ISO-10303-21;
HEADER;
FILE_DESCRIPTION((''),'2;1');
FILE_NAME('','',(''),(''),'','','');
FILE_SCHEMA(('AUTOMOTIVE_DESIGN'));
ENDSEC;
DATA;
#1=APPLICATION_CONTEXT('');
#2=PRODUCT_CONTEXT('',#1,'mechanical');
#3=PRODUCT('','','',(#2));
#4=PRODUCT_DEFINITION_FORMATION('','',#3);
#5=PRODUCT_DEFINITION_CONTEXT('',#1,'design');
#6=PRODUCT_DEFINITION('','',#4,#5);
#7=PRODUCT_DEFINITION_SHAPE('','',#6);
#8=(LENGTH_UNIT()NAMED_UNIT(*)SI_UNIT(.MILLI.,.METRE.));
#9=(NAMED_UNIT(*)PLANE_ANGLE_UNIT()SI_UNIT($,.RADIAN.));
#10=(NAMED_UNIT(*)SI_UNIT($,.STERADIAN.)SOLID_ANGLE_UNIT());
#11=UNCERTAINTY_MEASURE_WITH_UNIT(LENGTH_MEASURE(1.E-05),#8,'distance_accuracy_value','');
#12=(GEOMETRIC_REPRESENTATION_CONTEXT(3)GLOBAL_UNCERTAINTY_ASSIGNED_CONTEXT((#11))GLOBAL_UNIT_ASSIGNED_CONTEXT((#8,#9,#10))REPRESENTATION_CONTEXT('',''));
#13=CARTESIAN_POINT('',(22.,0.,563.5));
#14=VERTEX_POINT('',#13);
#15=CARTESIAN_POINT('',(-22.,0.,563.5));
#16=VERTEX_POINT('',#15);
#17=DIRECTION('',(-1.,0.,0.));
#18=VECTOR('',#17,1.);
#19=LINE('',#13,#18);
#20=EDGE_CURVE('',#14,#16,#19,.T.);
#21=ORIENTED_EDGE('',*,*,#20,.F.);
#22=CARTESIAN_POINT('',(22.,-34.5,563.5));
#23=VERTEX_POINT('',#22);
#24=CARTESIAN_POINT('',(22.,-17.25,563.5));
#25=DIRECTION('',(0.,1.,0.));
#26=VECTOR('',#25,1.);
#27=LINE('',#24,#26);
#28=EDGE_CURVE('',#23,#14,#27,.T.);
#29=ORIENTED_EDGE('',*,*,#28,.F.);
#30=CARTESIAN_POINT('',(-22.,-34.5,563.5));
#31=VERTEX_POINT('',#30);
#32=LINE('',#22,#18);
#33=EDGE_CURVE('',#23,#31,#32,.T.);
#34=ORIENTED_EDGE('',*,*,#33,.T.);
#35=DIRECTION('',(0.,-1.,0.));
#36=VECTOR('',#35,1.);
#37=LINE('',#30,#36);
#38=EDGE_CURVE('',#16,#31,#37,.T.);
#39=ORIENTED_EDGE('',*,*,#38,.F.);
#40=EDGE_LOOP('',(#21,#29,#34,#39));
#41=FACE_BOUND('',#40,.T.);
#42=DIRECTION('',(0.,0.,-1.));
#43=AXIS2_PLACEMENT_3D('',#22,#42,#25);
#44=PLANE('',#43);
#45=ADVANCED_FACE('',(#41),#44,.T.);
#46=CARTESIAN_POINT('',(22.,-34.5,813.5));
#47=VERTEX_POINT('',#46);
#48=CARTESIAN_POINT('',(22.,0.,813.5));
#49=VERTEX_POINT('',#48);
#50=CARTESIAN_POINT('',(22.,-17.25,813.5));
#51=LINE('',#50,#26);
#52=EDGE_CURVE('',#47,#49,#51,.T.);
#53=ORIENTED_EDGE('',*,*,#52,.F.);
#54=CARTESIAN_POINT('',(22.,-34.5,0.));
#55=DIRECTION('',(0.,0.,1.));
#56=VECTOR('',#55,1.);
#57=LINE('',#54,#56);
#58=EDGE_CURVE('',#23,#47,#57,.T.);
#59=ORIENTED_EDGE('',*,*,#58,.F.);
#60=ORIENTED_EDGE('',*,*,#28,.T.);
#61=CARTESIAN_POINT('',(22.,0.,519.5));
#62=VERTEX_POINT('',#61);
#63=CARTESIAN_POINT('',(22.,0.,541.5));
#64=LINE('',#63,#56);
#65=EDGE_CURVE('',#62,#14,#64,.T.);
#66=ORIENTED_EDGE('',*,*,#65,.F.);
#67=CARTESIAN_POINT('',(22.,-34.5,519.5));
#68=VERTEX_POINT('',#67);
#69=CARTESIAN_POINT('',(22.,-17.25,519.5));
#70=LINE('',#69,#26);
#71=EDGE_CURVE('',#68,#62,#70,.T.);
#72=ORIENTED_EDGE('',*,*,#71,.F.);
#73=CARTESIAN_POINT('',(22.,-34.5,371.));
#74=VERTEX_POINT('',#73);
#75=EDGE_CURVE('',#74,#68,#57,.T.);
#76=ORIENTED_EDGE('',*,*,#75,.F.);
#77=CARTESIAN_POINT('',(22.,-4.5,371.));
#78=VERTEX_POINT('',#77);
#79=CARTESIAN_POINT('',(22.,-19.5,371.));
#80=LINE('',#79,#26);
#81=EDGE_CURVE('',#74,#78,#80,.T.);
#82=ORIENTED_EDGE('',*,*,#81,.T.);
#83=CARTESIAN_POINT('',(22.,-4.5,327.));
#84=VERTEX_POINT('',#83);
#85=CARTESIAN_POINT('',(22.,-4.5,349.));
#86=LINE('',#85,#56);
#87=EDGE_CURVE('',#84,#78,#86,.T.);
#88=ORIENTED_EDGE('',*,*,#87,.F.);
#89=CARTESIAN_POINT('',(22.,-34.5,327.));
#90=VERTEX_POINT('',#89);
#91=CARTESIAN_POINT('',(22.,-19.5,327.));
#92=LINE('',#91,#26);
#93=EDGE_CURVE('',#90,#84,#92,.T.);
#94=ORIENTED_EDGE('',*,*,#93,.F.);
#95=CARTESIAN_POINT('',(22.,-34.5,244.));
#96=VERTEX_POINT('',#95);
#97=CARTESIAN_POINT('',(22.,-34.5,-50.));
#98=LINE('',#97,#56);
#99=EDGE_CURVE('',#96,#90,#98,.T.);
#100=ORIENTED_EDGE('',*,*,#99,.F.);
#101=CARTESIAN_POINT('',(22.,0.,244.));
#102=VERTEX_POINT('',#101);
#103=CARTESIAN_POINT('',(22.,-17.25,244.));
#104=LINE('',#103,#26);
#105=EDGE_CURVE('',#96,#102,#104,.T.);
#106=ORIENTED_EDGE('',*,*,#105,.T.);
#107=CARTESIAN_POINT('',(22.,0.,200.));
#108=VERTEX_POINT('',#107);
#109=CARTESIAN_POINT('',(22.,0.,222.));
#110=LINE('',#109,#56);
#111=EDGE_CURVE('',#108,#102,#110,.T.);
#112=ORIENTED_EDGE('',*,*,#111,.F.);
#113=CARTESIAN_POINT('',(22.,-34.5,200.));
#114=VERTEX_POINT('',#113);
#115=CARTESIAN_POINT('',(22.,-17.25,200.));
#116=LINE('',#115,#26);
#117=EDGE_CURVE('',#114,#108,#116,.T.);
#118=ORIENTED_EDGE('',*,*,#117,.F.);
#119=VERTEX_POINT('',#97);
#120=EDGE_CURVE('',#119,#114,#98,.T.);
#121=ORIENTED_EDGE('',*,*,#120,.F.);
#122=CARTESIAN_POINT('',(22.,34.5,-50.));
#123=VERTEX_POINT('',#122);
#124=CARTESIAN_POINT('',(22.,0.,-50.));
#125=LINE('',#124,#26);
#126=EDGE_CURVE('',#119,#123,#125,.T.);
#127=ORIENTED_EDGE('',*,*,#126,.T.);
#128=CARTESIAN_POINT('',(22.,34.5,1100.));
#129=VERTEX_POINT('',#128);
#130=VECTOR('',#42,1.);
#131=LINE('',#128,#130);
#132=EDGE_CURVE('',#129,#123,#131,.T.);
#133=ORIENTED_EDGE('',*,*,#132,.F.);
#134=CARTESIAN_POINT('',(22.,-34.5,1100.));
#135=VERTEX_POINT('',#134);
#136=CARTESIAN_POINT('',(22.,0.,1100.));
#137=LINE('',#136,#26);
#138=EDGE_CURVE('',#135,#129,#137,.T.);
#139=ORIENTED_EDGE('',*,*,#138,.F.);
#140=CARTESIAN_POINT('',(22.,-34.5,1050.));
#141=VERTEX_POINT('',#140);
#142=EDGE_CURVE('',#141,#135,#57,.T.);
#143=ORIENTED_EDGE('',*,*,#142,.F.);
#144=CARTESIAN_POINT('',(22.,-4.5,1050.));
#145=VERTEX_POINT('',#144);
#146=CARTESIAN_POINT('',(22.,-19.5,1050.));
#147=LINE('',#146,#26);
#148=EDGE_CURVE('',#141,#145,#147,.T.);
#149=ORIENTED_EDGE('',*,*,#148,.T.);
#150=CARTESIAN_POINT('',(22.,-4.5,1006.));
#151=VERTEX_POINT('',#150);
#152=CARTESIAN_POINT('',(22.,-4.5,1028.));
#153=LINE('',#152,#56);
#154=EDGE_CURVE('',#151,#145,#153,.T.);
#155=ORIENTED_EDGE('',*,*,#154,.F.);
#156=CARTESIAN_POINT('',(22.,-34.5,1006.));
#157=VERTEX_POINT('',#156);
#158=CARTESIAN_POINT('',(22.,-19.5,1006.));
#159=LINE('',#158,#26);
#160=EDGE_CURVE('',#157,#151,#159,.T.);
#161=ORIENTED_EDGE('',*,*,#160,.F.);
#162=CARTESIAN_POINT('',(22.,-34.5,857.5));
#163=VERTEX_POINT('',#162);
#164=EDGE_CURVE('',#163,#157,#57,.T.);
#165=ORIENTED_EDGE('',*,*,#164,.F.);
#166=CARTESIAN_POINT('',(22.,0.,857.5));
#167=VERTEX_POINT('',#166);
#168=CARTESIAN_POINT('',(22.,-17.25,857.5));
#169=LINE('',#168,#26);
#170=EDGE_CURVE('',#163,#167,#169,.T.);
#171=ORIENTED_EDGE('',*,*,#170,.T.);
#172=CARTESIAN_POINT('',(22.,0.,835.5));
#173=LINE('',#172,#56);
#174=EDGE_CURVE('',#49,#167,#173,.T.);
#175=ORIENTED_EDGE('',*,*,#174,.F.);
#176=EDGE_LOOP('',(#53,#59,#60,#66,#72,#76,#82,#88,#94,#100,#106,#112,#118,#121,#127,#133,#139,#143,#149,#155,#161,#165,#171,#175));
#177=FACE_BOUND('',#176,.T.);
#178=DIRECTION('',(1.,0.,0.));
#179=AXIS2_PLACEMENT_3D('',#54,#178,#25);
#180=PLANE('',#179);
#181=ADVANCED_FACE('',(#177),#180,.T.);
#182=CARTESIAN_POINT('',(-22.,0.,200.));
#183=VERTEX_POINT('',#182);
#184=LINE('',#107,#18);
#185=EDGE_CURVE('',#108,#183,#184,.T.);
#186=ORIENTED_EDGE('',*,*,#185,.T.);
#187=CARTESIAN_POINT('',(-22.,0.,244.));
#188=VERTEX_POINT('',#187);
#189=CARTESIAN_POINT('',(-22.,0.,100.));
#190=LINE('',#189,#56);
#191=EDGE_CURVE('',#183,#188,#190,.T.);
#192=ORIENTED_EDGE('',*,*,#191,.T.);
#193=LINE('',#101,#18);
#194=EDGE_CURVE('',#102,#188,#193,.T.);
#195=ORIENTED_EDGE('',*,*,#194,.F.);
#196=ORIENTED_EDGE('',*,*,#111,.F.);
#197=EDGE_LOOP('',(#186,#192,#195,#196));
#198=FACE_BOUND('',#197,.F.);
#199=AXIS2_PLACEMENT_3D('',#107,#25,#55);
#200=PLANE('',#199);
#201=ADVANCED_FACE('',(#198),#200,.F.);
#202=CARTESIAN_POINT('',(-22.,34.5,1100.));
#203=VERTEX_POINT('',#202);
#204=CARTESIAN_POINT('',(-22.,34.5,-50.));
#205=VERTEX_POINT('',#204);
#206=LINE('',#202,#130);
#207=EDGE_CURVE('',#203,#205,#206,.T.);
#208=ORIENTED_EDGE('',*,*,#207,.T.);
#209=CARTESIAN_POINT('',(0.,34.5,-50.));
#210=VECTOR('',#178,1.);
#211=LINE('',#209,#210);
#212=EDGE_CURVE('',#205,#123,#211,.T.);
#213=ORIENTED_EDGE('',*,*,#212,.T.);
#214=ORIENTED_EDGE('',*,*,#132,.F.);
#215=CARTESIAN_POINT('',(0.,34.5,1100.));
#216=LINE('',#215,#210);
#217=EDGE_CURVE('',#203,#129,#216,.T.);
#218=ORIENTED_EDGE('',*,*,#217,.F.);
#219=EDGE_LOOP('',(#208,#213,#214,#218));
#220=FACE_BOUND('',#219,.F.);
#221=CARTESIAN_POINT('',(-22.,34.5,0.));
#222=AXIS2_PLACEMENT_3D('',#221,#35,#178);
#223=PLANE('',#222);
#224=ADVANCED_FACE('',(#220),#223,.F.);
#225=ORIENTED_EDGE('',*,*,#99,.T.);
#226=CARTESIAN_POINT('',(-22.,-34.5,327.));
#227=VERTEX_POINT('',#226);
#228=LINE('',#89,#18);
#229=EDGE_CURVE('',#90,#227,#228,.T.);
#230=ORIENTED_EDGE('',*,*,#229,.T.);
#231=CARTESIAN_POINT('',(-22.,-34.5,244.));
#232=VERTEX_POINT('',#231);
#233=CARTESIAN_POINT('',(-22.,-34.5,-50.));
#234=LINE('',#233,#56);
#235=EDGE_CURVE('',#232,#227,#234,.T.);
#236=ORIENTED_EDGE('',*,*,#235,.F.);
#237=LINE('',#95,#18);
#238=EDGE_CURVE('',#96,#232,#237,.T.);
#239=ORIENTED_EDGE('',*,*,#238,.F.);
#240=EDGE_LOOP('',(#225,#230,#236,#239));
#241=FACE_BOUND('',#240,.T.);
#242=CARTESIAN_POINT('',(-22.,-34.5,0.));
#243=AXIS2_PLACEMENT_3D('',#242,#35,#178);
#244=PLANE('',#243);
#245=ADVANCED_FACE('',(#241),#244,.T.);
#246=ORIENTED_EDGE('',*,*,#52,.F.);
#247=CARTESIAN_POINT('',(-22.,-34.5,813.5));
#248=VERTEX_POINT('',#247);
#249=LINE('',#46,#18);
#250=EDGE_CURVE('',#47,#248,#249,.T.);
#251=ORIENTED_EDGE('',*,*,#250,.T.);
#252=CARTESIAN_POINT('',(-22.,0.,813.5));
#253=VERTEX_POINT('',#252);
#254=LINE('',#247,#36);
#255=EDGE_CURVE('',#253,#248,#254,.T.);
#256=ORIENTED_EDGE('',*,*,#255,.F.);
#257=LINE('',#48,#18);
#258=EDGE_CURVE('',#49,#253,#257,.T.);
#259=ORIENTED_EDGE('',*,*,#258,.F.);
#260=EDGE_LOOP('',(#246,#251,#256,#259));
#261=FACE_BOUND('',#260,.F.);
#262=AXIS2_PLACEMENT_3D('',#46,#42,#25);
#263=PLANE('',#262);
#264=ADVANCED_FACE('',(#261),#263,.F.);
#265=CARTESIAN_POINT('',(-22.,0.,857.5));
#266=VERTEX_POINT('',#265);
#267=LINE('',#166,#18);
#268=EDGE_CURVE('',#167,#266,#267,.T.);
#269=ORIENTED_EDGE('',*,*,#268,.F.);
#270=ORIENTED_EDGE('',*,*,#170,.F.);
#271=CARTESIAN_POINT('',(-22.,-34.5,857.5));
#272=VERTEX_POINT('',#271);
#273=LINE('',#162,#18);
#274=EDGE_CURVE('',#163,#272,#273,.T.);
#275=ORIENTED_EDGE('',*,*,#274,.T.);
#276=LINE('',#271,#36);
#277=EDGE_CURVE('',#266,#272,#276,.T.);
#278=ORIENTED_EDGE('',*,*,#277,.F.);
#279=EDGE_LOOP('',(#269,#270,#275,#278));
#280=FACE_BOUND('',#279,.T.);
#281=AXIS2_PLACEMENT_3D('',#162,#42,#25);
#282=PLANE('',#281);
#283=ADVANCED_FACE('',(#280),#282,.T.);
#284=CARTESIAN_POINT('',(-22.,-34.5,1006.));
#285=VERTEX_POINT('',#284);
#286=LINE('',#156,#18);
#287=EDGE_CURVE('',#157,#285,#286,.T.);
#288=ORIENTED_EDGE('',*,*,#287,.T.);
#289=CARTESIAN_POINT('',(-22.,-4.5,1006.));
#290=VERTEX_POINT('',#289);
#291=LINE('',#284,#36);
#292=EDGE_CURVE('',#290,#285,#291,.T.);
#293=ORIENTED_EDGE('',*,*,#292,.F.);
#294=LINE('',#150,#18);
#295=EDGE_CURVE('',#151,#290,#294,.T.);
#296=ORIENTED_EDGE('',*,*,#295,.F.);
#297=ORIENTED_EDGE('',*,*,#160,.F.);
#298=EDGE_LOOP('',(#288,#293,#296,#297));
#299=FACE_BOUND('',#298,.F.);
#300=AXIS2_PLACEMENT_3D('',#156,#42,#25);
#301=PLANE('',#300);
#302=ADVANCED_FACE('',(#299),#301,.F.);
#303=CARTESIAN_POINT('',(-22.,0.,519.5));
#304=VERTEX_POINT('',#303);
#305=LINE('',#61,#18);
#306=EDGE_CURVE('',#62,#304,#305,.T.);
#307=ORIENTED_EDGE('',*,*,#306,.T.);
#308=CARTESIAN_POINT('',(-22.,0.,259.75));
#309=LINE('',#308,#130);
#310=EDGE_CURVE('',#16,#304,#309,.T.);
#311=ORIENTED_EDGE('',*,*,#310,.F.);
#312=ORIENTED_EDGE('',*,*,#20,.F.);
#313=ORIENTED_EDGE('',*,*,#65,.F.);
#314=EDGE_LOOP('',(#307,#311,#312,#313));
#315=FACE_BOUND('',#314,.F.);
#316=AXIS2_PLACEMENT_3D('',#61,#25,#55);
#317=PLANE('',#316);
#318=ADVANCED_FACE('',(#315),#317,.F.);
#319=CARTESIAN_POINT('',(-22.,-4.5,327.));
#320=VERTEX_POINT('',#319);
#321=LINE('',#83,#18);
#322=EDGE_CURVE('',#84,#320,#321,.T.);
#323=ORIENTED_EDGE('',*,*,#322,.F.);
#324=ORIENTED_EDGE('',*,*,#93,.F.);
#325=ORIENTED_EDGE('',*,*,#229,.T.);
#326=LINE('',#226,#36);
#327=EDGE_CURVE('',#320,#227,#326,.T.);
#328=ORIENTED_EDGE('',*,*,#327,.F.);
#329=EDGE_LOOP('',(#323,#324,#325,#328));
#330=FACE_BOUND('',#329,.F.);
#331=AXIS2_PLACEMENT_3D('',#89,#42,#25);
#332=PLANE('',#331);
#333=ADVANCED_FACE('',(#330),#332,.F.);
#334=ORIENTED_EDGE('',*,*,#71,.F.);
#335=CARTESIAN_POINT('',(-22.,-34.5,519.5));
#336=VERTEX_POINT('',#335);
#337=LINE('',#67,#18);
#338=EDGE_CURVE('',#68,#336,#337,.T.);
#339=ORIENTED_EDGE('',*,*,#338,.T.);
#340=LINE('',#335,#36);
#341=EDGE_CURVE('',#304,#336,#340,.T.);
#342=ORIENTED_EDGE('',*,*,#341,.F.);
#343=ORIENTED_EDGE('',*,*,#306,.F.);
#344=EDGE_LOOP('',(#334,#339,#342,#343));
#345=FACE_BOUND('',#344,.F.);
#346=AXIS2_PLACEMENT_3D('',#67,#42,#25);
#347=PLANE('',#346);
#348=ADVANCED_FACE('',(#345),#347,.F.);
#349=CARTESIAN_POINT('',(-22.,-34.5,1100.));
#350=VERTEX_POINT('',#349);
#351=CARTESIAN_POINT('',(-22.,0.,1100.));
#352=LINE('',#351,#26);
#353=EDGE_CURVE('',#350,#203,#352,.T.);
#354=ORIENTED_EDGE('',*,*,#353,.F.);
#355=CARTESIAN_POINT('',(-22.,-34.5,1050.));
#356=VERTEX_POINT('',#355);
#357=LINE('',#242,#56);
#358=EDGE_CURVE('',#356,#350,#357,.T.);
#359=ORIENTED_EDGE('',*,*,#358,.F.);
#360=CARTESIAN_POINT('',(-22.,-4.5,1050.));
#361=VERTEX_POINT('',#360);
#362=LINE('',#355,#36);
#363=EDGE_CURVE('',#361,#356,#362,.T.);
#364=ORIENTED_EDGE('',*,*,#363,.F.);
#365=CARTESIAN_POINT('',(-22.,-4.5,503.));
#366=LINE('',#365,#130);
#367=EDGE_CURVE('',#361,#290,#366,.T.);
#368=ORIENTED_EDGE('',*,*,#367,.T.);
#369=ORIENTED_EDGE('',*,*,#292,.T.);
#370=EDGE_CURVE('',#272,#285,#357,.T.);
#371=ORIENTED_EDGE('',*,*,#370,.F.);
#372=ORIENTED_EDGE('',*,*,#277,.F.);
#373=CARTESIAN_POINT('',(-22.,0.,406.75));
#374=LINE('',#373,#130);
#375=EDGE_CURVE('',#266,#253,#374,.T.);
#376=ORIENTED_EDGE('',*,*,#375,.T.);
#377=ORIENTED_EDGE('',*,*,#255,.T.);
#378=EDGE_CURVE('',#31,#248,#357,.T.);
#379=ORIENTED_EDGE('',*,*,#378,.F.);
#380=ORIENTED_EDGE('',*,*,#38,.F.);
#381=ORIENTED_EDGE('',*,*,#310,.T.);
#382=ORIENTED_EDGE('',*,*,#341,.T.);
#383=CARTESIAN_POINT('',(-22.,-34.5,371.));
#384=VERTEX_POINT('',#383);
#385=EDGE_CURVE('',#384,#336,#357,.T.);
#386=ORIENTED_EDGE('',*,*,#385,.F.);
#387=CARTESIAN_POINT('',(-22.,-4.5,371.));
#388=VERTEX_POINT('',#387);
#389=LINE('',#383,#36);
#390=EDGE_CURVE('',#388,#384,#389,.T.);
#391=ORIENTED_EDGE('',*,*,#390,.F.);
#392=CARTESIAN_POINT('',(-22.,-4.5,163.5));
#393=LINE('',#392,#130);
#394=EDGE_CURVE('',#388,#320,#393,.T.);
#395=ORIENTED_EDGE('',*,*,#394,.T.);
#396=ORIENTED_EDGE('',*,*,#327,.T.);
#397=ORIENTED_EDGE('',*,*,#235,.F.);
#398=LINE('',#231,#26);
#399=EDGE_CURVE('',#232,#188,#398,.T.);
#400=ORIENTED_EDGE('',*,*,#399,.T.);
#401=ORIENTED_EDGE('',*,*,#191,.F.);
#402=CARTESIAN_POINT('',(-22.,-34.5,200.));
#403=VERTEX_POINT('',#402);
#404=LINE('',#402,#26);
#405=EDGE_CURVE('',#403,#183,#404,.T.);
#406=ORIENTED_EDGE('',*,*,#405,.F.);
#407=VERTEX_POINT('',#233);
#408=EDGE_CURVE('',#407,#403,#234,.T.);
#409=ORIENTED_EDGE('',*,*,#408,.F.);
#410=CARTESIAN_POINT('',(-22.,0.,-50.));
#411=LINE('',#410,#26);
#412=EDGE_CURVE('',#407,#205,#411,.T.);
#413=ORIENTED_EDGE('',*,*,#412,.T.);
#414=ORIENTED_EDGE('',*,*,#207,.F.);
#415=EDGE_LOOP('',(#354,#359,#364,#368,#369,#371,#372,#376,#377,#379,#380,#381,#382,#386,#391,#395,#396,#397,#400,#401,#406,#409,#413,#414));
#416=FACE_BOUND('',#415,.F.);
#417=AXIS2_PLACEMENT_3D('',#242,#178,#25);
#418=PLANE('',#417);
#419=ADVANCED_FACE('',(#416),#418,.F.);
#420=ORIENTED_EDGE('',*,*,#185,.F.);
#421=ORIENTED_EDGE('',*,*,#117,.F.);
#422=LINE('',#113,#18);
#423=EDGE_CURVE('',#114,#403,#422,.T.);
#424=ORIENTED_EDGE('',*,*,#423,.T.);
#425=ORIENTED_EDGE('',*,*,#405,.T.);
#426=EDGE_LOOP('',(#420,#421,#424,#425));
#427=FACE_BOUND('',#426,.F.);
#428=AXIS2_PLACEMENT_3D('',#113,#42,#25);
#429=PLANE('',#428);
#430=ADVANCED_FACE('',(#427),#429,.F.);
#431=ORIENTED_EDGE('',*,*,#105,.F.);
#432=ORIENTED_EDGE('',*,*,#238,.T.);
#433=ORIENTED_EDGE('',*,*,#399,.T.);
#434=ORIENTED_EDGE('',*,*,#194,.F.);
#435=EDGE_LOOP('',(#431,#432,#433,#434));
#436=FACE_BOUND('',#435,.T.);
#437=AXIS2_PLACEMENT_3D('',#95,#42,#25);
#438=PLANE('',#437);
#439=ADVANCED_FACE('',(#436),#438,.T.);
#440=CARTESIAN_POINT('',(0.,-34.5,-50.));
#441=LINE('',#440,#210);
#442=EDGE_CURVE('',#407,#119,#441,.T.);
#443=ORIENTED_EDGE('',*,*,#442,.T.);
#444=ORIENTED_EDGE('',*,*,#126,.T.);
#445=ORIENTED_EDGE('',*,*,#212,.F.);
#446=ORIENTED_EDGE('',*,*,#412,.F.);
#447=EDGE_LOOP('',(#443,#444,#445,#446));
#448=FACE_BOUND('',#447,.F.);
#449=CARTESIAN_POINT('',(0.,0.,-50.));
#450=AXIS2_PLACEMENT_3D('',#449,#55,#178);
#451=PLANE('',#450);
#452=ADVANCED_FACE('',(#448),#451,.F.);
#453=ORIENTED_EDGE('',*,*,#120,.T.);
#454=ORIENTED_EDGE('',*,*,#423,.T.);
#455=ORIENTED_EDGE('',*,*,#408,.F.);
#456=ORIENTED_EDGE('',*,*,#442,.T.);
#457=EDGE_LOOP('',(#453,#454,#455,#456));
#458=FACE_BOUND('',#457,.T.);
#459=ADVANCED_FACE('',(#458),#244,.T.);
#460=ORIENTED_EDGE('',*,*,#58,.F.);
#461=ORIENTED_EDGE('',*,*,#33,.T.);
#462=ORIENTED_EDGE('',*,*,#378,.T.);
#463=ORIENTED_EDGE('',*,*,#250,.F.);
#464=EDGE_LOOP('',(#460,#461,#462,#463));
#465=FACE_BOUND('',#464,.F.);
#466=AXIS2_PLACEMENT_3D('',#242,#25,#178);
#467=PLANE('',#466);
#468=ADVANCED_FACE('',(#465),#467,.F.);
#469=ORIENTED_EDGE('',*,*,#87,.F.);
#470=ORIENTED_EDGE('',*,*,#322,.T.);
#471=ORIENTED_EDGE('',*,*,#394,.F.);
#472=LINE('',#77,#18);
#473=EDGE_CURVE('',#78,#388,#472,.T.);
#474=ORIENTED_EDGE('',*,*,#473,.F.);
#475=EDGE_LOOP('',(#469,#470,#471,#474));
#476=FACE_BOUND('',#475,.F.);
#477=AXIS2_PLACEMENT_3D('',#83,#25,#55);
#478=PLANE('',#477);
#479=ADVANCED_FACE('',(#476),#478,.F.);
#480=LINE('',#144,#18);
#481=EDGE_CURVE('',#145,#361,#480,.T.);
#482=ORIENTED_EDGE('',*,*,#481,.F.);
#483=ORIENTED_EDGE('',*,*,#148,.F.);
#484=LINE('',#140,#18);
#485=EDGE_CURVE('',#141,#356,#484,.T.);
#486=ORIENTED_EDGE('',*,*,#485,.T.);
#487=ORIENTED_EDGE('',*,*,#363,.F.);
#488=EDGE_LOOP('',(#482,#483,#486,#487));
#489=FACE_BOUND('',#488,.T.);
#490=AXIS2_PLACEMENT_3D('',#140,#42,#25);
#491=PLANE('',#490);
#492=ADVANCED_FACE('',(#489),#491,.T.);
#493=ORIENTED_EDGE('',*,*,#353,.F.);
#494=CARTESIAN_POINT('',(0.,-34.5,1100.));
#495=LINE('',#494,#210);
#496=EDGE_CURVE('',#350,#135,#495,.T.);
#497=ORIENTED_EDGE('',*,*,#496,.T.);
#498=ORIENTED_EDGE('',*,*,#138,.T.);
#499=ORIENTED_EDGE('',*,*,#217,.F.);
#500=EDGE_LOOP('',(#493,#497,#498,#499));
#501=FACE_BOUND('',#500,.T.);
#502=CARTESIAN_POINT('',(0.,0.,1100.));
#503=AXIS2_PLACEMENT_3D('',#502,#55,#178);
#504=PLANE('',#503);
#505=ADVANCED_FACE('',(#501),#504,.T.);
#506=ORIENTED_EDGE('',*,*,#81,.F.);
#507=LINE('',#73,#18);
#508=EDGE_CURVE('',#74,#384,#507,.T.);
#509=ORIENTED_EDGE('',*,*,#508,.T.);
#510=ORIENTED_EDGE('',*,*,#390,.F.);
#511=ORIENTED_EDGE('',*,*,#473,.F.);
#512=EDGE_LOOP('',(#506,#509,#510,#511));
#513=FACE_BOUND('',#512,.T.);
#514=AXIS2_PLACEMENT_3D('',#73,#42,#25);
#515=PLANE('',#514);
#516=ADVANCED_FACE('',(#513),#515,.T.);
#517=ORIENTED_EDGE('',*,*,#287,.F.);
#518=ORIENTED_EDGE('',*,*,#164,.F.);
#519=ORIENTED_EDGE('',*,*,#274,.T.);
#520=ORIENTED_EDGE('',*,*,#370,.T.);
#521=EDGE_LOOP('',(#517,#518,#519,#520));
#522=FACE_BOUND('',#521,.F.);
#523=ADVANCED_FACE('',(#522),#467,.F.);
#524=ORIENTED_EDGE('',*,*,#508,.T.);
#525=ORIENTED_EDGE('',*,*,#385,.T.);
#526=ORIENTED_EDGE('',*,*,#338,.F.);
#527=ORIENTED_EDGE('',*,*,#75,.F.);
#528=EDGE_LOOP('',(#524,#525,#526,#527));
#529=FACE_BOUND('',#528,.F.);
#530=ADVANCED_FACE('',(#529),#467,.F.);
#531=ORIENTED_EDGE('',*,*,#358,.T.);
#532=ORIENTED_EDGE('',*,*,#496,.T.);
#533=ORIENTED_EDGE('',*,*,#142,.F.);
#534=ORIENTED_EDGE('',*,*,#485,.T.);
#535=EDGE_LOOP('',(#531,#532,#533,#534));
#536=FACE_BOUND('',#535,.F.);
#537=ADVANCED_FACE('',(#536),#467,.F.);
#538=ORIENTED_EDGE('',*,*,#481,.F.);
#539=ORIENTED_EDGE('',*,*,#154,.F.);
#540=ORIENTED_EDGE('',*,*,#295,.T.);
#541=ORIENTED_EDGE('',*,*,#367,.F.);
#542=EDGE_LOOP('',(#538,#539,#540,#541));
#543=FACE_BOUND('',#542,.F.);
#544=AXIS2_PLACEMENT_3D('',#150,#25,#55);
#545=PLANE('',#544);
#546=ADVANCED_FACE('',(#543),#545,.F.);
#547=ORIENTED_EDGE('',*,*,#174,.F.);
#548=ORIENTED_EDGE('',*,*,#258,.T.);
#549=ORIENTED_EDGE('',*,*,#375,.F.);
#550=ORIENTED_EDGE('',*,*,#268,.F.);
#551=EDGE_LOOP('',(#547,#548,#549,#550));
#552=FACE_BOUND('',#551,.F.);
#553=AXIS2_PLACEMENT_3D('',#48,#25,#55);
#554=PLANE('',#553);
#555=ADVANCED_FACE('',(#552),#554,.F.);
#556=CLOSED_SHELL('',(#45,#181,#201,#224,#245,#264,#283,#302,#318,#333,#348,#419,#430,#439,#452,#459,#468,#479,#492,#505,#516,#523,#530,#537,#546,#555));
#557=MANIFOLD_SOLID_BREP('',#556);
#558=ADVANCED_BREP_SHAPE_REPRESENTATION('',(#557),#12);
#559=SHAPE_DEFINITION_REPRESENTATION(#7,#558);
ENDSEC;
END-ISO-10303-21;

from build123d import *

# Parameters (mm, degrees)
F0_W     = 44
F0_H     = 69
F1_DEPTH = 1100
F2_W     = 30
F2_H     = 44
F3_DEPTH = 44.001
F4_W     = 34.5
F4_H     = 44
F5_DEPTH = 44.001
F6_DEPTH = 50
F7_W     = 34.5
F7_H     = 44
F8_DEPTH = 133


with BuildPart() as f1:
    # F0 (on Top) → F1 (new body)
    with BuildSketch(Plane.XY):
        Rectangle(F0_W, F0_H)
    extrude(amount=F1_DEPTH)

    # F2 (on face) → F3 (cut, through all)
    with BuildSketch(Plane.YZ.offset(22)):
        with Locations((-19.5, 1028)):
            Rectangle(F2_W, F2_H)
        with Locations((-19.5, 349)):
            Rectangle(F2_W, F2_H)
    extrude(amount=-F3_DEPTH, mode=Mode.SUBTRACT)

    # F4 (on face) → F5 (cut, through all)
    with BuildSketch(Plane.YZ.offset(22)):
        with Locations((-17.25, 835.5)):
            Rectangle(F4_W, F4_H)
        with Locations((-17.25, 541.5)):
            Rectangle(F4_W, F4_H)
    extrude(amount=-F5_DEPTH, mode=Mode.SUBTRACT)

    # F6 (add): a face of the model
    f6_faces = [f1.faces().sort_by_distance(p)[0] for p in [
        (0, 0, 0),
    ]]
    extrude(f6_faces, amount=F6_DEPTH)

    # F7 (on face) → F8 (cut)
    with BuildSketch(Plane.YZ.offset(22)):
        with Locations((-17.25, 222)):
            Rectangle(F7_W, F7_H)
    extrude(amount=-F8_DEPTH, mode=Mode.SUBTRACT)


solid = f1.part
